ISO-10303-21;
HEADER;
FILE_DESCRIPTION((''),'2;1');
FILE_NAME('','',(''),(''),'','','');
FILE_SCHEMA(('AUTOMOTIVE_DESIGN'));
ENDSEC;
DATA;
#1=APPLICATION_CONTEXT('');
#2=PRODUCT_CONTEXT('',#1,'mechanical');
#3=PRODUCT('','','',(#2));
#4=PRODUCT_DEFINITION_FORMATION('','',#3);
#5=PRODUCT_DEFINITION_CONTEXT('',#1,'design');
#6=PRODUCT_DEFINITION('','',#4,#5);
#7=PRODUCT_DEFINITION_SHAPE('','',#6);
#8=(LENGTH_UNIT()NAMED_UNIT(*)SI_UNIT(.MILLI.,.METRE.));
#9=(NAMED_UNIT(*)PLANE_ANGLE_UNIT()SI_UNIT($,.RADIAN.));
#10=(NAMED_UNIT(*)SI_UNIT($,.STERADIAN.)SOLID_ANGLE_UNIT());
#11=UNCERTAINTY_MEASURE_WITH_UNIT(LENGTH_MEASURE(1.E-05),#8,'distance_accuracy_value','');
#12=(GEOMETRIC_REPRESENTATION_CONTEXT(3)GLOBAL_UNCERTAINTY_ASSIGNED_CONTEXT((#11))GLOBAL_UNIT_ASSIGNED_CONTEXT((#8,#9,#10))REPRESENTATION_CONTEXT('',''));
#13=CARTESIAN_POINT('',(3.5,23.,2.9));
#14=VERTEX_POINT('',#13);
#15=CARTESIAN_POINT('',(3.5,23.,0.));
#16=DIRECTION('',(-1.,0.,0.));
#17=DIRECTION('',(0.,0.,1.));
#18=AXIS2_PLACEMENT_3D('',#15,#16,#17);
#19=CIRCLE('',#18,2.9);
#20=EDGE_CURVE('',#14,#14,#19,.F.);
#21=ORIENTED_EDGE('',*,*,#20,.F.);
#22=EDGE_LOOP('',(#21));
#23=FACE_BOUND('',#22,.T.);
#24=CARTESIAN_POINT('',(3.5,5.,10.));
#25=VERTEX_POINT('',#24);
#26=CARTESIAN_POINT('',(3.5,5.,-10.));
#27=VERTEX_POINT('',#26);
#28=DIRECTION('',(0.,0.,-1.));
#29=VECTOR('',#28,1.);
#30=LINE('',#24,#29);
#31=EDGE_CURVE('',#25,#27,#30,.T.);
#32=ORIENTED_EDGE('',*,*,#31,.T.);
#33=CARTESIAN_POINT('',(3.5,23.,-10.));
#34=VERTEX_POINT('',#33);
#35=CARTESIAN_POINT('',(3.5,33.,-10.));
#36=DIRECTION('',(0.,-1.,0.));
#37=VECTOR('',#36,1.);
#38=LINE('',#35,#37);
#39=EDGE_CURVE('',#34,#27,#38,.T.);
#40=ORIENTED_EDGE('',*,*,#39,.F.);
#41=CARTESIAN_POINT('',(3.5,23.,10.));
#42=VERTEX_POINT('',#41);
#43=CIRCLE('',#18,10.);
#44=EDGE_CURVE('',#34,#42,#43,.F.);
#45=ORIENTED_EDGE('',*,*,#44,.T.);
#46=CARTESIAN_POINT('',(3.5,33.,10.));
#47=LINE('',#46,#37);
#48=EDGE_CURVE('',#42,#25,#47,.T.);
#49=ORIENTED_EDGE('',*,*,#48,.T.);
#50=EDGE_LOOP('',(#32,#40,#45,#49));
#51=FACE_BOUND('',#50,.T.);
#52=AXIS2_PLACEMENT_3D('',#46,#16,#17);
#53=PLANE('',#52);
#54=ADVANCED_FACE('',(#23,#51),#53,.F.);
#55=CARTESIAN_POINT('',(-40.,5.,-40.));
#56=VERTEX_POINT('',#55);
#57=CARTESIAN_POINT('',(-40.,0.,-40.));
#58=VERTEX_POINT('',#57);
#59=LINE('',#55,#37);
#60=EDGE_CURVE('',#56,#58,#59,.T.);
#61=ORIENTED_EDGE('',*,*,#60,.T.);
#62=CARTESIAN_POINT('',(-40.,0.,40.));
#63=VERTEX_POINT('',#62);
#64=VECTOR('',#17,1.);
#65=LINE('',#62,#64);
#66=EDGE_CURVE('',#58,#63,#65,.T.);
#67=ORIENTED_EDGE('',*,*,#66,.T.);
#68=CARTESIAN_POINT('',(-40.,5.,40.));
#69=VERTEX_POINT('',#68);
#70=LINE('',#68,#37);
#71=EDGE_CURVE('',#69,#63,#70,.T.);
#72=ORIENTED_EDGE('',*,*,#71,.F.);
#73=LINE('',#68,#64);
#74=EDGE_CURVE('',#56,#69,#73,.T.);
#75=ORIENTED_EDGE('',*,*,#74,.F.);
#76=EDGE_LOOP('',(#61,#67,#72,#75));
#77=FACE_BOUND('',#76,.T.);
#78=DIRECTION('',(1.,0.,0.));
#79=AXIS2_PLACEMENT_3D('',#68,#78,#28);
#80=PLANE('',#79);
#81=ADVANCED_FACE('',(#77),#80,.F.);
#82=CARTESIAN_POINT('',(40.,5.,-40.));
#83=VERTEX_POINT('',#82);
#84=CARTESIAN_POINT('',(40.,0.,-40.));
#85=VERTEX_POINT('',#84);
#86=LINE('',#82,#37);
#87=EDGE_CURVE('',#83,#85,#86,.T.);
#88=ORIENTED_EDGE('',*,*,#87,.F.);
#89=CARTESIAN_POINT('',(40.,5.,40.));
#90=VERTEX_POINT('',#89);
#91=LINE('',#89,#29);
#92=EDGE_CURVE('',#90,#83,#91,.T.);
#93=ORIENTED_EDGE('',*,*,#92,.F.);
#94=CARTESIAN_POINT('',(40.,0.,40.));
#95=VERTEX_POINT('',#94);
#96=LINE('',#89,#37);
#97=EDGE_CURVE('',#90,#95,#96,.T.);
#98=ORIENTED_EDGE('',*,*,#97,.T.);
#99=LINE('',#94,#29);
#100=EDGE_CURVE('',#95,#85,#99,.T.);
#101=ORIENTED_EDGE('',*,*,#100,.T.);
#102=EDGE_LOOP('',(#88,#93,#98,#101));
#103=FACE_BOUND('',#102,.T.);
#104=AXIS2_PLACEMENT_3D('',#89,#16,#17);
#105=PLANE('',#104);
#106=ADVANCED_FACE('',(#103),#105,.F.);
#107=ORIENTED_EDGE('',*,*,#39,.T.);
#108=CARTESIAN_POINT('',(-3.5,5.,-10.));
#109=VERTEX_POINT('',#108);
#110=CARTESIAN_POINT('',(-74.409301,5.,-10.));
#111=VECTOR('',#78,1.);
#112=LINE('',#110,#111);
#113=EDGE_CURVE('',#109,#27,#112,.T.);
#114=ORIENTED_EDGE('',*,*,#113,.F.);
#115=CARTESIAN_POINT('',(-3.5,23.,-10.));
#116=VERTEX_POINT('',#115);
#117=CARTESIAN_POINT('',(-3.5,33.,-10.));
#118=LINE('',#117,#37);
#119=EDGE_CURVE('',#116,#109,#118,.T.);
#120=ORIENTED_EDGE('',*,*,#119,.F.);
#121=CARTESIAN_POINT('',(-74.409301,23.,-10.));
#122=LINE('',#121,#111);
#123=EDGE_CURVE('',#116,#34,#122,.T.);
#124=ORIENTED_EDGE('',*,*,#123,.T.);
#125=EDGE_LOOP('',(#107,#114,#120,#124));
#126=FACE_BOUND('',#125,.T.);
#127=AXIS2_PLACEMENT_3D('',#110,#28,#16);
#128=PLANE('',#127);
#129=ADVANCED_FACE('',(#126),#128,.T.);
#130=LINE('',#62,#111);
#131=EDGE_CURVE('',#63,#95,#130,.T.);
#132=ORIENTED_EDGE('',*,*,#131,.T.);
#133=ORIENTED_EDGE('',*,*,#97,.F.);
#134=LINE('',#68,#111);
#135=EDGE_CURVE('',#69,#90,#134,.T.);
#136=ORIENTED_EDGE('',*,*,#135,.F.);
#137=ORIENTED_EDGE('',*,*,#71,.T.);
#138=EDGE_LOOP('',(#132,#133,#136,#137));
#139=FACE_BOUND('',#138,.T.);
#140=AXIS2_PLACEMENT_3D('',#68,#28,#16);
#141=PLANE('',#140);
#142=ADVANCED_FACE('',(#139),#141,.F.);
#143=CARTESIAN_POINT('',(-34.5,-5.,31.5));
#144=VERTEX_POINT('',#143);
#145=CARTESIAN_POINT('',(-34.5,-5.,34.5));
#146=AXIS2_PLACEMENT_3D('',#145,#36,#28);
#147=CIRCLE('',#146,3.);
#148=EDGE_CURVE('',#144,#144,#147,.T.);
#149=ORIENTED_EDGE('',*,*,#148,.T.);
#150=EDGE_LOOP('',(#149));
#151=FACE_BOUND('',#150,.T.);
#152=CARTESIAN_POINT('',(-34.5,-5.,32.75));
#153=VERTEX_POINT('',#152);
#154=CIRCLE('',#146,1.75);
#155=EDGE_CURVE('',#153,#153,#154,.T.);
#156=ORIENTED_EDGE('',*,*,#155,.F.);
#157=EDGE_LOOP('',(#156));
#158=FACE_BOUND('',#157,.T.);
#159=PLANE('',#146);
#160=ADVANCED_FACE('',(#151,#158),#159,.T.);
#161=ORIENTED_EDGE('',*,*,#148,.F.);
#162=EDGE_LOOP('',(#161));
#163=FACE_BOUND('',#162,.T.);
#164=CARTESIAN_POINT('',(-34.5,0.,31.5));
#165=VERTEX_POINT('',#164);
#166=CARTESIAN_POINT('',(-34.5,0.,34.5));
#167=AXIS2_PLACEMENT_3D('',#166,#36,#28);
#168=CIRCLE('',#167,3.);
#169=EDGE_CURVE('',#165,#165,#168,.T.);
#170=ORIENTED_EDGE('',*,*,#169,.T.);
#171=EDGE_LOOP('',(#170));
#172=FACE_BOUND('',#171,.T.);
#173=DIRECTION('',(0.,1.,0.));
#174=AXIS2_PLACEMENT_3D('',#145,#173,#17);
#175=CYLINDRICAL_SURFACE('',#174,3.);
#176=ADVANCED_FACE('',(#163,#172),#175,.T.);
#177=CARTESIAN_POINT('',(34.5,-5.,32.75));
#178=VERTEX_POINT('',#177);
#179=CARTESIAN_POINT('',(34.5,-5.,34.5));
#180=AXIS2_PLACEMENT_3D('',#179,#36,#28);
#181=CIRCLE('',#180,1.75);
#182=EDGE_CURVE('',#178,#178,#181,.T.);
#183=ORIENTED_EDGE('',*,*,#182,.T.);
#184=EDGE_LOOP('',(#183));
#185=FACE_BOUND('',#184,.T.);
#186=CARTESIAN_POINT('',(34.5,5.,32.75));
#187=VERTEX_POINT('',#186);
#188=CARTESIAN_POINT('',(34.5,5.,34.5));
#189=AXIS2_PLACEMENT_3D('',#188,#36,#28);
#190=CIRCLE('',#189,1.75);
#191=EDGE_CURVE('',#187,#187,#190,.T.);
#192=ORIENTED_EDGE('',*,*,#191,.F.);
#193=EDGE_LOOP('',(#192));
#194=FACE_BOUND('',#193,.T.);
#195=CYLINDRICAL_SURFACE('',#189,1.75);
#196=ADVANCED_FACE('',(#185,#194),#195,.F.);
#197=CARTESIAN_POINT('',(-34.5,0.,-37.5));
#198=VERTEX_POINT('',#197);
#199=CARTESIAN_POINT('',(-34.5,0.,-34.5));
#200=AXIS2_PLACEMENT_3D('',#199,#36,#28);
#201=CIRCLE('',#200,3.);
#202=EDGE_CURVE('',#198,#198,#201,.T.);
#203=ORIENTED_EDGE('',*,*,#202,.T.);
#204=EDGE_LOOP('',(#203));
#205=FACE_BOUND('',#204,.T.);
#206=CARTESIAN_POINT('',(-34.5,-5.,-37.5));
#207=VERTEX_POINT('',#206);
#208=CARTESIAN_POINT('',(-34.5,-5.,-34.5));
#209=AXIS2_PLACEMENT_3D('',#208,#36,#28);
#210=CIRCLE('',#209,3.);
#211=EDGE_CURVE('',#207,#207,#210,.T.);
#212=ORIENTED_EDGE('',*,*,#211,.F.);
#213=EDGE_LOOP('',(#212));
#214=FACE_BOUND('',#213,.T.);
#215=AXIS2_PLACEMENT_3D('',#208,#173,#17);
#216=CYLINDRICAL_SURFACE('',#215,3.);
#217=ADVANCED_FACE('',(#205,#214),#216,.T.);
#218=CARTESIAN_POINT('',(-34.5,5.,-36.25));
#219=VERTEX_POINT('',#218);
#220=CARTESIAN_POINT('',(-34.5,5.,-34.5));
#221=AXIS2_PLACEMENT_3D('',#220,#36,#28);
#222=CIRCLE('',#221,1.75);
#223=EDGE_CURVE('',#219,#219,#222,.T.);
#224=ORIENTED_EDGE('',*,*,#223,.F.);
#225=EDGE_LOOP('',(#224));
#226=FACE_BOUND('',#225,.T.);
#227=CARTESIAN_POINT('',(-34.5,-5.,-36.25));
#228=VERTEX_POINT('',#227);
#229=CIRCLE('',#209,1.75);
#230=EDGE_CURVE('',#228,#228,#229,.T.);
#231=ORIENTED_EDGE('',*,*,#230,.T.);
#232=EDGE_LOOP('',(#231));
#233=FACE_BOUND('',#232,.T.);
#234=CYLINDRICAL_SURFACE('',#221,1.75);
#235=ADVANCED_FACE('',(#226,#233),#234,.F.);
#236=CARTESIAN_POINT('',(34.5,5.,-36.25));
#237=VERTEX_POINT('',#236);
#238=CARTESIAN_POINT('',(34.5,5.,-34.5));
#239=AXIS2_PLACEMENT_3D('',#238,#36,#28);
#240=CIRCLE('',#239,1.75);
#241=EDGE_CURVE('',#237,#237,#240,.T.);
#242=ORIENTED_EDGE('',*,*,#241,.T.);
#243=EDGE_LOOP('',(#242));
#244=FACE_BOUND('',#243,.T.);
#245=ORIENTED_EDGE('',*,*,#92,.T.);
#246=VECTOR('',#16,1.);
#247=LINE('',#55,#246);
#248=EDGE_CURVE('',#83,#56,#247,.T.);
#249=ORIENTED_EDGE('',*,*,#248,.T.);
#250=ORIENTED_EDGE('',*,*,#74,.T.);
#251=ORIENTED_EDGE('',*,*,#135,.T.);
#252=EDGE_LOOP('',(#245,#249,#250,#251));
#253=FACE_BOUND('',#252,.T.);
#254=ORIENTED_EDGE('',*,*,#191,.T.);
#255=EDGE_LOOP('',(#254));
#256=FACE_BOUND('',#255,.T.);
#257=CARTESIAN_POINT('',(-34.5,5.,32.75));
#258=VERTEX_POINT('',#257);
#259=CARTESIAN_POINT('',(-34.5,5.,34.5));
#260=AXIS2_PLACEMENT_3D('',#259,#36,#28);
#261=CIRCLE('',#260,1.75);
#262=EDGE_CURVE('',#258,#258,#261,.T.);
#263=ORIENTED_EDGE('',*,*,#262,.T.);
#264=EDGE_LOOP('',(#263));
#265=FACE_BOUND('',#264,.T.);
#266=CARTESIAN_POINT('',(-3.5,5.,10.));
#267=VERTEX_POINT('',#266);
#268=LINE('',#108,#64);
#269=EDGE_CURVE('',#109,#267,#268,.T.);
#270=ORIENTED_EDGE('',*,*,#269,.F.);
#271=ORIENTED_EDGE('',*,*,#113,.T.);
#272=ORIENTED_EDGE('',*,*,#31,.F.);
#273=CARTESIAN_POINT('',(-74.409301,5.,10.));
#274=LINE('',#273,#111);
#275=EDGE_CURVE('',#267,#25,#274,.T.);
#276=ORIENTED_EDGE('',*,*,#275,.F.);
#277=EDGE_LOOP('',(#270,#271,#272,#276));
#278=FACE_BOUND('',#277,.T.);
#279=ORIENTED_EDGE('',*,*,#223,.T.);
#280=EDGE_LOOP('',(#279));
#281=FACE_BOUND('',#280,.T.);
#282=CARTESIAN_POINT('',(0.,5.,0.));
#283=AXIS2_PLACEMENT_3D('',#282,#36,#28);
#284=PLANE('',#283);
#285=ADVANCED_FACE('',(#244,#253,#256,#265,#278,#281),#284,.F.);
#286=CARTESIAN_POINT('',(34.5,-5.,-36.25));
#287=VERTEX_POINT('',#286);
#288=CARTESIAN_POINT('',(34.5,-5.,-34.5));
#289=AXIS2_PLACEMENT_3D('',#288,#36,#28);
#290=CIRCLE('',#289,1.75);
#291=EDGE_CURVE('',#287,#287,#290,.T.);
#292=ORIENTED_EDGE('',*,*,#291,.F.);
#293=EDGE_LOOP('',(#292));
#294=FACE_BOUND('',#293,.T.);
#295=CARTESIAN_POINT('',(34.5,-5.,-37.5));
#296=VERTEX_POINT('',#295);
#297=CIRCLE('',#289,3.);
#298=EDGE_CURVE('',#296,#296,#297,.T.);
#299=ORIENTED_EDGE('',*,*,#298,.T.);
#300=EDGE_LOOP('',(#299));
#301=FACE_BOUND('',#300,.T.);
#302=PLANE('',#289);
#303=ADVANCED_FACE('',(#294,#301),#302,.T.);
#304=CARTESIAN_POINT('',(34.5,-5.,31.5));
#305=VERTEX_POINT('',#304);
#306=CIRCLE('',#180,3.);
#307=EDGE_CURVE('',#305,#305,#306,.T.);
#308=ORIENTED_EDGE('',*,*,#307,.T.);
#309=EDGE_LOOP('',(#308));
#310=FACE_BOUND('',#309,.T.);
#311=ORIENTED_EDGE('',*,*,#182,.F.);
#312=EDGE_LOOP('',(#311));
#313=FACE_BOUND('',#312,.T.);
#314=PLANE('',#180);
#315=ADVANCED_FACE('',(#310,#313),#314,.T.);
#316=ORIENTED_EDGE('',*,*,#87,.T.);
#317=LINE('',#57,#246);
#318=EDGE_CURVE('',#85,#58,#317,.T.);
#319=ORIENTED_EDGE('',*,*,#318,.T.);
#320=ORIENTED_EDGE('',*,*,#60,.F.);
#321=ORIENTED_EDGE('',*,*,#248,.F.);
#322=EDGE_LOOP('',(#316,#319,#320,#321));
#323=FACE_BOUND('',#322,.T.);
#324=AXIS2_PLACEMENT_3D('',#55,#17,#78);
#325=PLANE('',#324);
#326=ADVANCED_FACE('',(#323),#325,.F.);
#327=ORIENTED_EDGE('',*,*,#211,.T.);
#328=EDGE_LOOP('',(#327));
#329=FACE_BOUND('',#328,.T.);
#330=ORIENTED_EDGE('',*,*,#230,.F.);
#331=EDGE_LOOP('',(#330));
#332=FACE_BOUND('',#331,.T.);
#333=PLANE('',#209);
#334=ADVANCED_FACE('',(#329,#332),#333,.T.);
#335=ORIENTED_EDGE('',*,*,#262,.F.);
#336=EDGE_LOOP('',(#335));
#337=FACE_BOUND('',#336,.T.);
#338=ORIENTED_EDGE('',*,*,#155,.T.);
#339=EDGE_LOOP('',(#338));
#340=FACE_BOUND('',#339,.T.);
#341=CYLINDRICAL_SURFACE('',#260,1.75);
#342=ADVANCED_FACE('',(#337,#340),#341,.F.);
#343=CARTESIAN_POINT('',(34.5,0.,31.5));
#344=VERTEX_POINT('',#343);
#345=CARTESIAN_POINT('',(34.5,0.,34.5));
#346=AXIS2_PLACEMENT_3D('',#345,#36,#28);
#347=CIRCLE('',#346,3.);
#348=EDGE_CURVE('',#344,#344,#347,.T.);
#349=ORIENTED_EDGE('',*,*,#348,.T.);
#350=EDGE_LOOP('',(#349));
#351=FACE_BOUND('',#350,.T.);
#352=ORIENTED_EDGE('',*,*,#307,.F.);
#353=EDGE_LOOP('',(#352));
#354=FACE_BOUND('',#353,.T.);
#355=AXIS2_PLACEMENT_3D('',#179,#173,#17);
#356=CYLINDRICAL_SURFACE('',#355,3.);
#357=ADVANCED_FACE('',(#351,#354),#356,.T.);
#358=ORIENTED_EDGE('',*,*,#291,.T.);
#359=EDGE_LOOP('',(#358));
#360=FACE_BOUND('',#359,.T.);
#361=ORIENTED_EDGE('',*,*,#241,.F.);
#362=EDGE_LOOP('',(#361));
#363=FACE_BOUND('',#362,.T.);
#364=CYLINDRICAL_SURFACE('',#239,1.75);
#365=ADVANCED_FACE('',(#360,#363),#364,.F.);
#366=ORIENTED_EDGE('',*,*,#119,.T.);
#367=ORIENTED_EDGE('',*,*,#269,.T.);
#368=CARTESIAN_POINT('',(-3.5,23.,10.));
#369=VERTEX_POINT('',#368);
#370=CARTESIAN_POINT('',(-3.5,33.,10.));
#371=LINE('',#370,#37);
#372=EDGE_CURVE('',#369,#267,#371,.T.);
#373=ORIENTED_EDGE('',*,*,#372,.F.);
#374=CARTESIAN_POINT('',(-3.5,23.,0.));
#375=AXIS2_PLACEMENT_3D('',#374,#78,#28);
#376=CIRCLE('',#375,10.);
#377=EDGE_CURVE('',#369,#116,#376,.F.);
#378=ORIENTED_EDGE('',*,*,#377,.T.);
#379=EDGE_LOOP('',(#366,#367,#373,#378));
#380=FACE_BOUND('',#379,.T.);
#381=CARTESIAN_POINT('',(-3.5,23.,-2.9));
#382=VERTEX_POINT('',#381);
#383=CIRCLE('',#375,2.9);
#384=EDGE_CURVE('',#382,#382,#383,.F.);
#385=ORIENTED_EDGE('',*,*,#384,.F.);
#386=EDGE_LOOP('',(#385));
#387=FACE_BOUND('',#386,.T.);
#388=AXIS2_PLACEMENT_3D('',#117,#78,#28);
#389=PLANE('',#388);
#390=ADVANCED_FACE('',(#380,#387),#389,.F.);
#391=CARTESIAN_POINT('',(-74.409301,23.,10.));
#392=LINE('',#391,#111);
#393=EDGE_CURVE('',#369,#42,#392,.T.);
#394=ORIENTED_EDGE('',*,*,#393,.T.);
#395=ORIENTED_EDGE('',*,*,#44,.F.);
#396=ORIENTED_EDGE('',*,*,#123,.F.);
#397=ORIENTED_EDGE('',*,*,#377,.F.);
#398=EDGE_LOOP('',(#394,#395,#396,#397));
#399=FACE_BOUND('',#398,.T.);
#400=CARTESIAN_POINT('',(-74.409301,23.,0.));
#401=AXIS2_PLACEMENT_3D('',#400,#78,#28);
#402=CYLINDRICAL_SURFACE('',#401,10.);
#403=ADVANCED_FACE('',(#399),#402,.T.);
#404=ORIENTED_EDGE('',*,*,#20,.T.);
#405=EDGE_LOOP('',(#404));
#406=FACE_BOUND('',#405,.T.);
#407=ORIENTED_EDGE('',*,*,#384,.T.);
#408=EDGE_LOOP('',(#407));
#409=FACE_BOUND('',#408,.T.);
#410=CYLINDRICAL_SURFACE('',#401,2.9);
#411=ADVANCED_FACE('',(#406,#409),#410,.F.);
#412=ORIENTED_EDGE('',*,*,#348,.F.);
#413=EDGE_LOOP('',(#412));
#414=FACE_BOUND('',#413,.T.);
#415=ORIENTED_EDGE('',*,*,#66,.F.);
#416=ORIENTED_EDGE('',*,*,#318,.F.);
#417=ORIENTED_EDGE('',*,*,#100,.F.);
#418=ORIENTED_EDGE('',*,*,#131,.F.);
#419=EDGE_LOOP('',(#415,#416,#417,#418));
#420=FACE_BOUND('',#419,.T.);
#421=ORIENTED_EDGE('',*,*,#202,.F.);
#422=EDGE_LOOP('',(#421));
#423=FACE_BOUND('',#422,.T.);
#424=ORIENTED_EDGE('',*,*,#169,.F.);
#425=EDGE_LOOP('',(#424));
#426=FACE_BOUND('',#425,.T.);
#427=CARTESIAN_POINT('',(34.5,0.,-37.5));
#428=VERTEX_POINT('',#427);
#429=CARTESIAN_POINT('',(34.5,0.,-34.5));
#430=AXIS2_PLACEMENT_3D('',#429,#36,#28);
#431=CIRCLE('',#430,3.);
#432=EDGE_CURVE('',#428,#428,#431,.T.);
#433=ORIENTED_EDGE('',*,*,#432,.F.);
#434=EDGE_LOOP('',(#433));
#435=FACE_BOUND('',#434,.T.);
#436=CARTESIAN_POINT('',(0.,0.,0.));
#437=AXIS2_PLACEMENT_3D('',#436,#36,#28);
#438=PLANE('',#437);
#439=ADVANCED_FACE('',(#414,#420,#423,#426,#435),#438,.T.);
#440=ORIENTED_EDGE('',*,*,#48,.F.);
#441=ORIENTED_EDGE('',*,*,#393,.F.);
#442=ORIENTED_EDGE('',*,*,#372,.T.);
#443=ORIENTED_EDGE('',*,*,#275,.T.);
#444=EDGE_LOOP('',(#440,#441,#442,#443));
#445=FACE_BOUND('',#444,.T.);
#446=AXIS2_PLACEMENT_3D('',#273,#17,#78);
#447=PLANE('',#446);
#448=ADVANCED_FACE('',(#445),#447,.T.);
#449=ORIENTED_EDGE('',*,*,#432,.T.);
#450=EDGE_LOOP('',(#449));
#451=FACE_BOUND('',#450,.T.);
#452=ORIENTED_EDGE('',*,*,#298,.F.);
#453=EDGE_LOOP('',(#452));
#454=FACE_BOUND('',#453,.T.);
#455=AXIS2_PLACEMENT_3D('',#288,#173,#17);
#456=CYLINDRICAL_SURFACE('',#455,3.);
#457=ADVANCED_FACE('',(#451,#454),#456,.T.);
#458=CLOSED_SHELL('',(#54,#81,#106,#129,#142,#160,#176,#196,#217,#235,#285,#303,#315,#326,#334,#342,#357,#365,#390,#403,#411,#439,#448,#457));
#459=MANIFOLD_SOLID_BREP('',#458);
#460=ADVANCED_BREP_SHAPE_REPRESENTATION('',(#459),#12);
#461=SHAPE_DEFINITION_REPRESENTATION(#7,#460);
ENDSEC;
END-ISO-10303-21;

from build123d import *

# Parameters (mm, degrees)
SKETCH2_W           = 80
SKETCH2_H           = 80
BOSS_EXTRUDE1_DEPTH = 5
SKETCH9_R           = 3
BOSS_EXTRUDE3_DEPTH = 5
SKETCH10_R          = 1.75
CUT_EXTRUDE6_DEPTH  = 58.445626465
SKETCH11_R          = 2.9
BOSS_EXTRUDE4_DEPTH = 80
SKETCH12_W          = 80
SKETCH12_H          = 80
SKETCH12_W_2        = 7
SKETCH12_H_2        = 20
CUT_EXTRUDE7_DEPTH  = 64.118935352


with BuildPart() as part:
    # Sketch2 → Boss-Extrude1 (new body)
    with BuildSketch(Plane(origin=(0, 0, 0), x_dir=(1, 0, 0), z_dir=(0, 1, 0))):
        Rectangle(SKETCH2_W, SKETCH2_H)
    extrude(amount=BOSS_EXTRUDE1_DEPTH)

    # Sketch9 → Boss-Extrude3 (add)
    with BuildSketch(Plane.XZ):
        with Locations(Location((-34.5, 34.5, 0), (0, 0, 270))):
            Circle(SKETCH9_R)
        with Locations(Location((34.5, 34.5, 0), (0, 0, 270))):
            Circle(SKETCH9_R)
        with Locations(Location((-34.5, -34.5, 0), (0, 0, 270))):
            Circle(SKETCH9_R)
        with Locations(Location((34.5, -34.5, 0), (0, 0, 270))):
            Circle(SKETCH9_R)
    extrude(amount=BOSS_EXTRUDE3_DEPTH)

    # Sketch10 → Cut-Extrude6 (cut, through all)
    with BuildSketch(Plane.XZ.offset(5)):
        with Locations(Location((-34.5, -34.5, 0), (0, 0, 270))):
            Circle(SKETCH10_R)
        with Locations(Location((-34.5, 34.5, 0), (0, 0, 270))):
            Circle(SKETCH10_R)
        with Locations(Location((34.5, 34.5, 0), (0, 0, 270))):
            Circle(SKETCH10_R)
        with Locations(Location((34.5, -34.5, 0), (0, 0, 270))):
            Circle(SKETCH10_R)
    extrude(amount=-CUT_EXTRUDE6_DEPTH, mode=Mode.SUBTRACT)

    # Sketch11 → Boss-Extrude4 (add)
    with BuildSketch(Plane(origin=(40, 0, 0), x_dir=(0, 0, -1), z_dir=(1, 0, 0))):
        with BuildLine():
            Line((-10, 5), (-10, 23))
            ThreePointArc((-10, 23), (0, 33), (10, 23))
            Line((10, 23), (10, 5))
            Line((10, 5), (-10, 5))
        make_face()
        with Locations((0, 23)):
            Circle(SKETCH11_R, mode=Mode.SUBTRACT)
    extrude(amount=-BOSS_EXTRUDE4_DEPTH)

    # Sketch12 → Cut-Extrude7 (cut, through all)
    with BuildSketch(Plane(origin=(0, 5, 0), x_dir=(1, 0, 0), z_dir=(0, 1, 0))):
        Rectangle(SKETCH12_W, SKETCH12_H)
        Rectangle(SKETCH12_W_2, SKETCH12_H_2, mode=Mode.SUBTRACT)
    extrude(amount=CUT_EXTRUDE7_DEPTH, mode=Mode.SUBTRACT)


solid = part.part
